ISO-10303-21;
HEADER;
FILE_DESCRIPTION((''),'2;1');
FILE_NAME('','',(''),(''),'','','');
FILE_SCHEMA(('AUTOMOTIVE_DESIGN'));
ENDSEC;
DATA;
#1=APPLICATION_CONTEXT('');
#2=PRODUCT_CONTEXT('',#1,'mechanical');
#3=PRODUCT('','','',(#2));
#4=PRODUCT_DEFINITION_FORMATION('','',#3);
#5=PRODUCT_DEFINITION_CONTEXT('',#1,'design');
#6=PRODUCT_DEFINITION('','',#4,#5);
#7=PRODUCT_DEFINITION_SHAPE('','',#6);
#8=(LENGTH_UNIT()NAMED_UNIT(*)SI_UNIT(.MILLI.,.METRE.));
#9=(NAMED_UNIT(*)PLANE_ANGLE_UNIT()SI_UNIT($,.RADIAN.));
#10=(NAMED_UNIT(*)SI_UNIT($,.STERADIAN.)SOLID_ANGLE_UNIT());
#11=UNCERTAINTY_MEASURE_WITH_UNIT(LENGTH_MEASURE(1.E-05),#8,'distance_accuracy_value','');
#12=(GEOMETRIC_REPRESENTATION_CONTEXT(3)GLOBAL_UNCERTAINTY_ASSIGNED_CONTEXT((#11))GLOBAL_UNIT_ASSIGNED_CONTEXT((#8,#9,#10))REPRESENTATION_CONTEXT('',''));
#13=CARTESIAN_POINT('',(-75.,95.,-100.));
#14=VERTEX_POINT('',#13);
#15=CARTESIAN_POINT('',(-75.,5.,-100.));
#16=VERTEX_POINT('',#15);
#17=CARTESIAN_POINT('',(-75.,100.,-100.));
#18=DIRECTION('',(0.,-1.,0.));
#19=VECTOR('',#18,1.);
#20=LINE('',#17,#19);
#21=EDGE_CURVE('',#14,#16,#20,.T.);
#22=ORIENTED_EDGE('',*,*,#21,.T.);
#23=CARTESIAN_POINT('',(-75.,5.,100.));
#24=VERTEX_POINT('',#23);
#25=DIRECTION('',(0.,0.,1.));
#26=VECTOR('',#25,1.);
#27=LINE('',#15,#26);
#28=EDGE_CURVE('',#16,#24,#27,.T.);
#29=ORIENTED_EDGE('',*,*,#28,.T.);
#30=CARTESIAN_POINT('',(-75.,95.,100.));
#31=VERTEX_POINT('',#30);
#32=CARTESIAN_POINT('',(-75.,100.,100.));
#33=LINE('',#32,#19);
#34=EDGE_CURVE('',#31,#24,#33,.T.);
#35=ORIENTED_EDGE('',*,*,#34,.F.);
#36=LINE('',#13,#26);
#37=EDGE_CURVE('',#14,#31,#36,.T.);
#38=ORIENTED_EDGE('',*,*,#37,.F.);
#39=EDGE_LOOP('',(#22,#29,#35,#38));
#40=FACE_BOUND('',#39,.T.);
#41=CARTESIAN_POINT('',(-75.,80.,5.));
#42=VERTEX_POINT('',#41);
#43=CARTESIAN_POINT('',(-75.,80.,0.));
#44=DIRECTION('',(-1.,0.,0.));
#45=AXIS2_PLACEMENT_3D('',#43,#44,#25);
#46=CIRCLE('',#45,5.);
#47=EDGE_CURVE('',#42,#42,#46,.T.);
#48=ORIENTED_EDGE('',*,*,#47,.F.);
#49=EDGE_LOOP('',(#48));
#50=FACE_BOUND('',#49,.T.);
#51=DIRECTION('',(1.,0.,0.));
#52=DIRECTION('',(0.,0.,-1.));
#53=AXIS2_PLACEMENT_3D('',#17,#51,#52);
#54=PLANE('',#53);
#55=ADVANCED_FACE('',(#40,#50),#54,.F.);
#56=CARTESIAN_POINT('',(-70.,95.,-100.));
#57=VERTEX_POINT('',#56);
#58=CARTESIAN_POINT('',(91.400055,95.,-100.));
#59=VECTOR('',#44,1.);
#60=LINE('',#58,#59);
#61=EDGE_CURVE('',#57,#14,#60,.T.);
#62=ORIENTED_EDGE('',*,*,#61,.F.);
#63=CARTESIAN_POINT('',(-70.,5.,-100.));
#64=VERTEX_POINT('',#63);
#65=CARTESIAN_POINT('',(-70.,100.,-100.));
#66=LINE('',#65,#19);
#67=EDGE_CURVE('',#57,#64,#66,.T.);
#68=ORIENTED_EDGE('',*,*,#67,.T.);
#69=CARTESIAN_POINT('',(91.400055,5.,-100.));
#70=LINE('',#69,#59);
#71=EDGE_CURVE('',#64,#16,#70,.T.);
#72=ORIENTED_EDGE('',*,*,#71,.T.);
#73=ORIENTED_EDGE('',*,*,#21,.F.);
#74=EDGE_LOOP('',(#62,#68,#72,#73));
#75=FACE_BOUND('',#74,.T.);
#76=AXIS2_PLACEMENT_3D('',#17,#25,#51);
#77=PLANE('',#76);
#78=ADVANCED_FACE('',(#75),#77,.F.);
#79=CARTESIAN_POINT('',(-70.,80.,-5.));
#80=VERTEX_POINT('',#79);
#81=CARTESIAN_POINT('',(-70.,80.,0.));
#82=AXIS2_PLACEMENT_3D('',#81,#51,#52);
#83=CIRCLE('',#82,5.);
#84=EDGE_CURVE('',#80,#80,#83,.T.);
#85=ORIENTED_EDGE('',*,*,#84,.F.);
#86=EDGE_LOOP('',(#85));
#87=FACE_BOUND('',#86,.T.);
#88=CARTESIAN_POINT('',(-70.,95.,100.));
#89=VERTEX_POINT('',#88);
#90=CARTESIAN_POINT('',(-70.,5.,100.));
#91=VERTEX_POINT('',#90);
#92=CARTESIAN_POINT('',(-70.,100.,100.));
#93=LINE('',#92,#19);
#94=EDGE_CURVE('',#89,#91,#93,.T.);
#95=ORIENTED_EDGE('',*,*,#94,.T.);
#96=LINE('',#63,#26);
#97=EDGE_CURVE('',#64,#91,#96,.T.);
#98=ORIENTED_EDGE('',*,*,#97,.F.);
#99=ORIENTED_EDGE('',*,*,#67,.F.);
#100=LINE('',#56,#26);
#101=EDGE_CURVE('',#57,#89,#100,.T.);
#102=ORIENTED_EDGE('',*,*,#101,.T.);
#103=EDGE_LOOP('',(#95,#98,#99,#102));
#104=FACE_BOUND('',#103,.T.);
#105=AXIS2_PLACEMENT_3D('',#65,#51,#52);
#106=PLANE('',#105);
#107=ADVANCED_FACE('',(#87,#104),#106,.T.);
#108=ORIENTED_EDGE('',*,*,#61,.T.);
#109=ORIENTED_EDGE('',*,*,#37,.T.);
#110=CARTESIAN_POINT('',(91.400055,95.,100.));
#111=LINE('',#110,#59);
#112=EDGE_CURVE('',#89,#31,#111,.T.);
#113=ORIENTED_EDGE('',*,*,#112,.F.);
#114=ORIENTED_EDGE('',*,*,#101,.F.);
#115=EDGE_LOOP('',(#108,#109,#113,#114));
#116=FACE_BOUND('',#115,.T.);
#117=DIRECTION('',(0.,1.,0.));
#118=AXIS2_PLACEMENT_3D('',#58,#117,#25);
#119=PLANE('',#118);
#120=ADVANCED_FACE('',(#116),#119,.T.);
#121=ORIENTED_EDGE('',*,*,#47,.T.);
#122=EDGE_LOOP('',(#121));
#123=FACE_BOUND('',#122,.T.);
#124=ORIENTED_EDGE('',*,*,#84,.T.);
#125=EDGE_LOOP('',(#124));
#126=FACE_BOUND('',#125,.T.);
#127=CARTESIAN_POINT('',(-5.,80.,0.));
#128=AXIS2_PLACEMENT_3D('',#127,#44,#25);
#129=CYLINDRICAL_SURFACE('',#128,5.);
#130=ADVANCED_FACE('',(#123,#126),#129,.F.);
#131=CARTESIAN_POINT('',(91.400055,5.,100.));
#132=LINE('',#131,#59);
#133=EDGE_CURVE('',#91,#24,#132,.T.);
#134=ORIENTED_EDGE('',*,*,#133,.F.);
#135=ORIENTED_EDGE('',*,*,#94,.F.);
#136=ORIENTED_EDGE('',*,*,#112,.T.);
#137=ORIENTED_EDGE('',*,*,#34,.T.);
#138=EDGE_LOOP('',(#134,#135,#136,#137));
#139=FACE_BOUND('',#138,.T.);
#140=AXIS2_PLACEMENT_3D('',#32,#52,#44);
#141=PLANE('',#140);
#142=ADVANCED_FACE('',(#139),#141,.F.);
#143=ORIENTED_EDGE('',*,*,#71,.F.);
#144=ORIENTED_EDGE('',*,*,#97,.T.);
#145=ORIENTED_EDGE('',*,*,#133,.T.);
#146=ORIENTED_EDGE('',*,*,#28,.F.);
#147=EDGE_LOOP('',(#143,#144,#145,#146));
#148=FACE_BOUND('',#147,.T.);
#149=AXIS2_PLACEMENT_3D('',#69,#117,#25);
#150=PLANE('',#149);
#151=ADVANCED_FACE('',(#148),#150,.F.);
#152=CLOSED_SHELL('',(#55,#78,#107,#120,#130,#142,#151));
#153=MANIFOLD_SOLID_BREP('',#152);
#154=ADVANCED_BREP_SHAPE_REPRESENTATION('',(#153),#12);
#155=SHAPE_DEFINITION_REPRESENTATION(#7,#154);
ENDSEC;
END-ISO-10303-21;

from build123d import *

# Parameters (mm, degrees)
SKETCH1_W           = 150
SKETCH1_H           = 200
BOSS_EXTRUDE1_DEPTH = 100
SHELL2_T            = -5
SKETCH5_R           = 1.9
CUT_EXTRUDE2_DEPTH  = 10
BOSS_EXTRUDE4_DEPTH = 200
SKETCH9_W           = 101.133931545
SKETCH9_H           = 31.996148617
CUT_EXTRUDE4_DEPTH  = 236.849528301
SKETCH10_R          = 4
CUT_EXTRUDE5_DEPTH  = 10
CUT_EXTRUDE7_REACH  = 162.078
SKETCH11_W          = 140
SKETCH11_H          = 5
SKETCH15_R          = 1.2
CUT_EXTRUDE11_DEPTH = 10
SKETCH36_W          = 60
SKETCH36_H          = 5
BOSS_EXTRUDE7_DEPTH = 10
SKETCH37_R          = 3.5
CUT_EXTRUDE15_DEPTH = 60
SKETCH38_R          = 5
CUT_EXTRUDE16_DEPTH = 70
SKETCH41_W          = 161.400055229
SKETCH41_H          = 90
CUT_EXTRUDE19_DEPTH = 236.849528301


with BuildPart() as part:
    # Sketch1 → Boss-Extrude1 (new body)
    with BuildSketch(Plane(origin=(0, 0, 0), x_dir=(1, 0, 0), z_dir=(0, 1, 0))):
        Rectangle(SKETCH1_W, SKETCH1_H)
    extrude(amount=BOSS_EXTRUDE1_DEPTH)

    # Shell2
    shell2_openings = [part.faces().sort_by_distance(p)[0] for p in [
        (0, 50, -100),
        (0, 50, 100),
    ]]
    offset(amount=SHELL2_T, openings=shell2_openings, kind=Kind.INTERSECTION)

    # Sketch5 → Cut-Extrude2 (cut)
    with BuildSketch(Plane.XZ):
        with Locations(Location((-65, 91, 0), (0, 0, 270))):
            Circle(SKETCH5_R)
        with Locations(Location((-35, 91, 0), (0, 0, 270))):
            Circle(SKETCH5_R)
        with Locations(Location((-65, 67, 0), (0, 0, 270))):
            Circle(SKETCH5_R)
        with Locations(Location((-35, 67, 0), (0, 0, 270))):
            Circle(SKETCH5_R)
    cut_extrude2 = extrude(amount=-CUT_EXTRUDE2_DEPTH, mode=Mode.SUBTRACT)

    # Mirror2: Cut-Extrude2 across plane
    add(cut_extrude2.mirror(Plane.XY), mode=Mode.SUBTRACT)

    # Sketch8 → Boss-Extrude4 (add, through all)
    with BuildSketch(Plane.XY.offset(100)):
        Polygon((-15, 17), (75, 17), (75, 22), (-20, 22), (-20, 0), (-15, 0), align=None)
    extrude(amount=-BOSS_EXTRUDE4_DEPTH)

    # Sketch9 → Cut-Extrude4 (cut, through all)
    with BuildSketch(Plane.XY.offset(100)):
        with Locations((35.566965773, 1.001925691)):
            Rectangle(SKETCH9_W, SKETCH9_H)
    extrude(amount=-CUT_EXTRUDE4_DEPTH, mode=Mode.SUBTRACT)

    # Sketch10 → Cut-Extrude5 (cut)
    with BuildSketch(Plane.XZ.offset(-17)):
        with Locations((60, 0)):
            Circle(SKETCH10_R)
    extrude(amount=-CUT_EXTRUDE5_DEPTH, mode=Mode.SUBTRACT)

    # Cut-Extrude7: up to this face of the body (flat: up to its plane)
    cut_extrude7_end = Plane(part.part.faces().sort_by_distance((-44.954220044, 5, 0))[0])
    # Sketch11 → Cut-Extrude7 (cut, up to the picked face)
    with BuildSketch(Plane(origin=(0, 100, 0), x_dir=(1, 0, 0), z_dir=(0, 1, 0)), mode=Mode.PRIVATE) as cut_extrude7_sk1:
        with Locations((0, -92.5)):
            Rectangle(SKETCH11_W, SKETCH11_H)
    cut_extrude7_tool1 = split(extrude(cut_extrude7_sk1.sketch, amount=-CUT_EXTRUDE7_REACH, mode=Mode.PRIVATE), bisect_by=cut_extrude7_end, keep=Keep.BOTH, mode=Mode.PRIVATE)
    cut_extrude7 = cut_extrude7_tool1.solids().sort_by(Axis((0, 100, 92.5), (0, -1, 0)))[0]
    add(cut_extrude7, mode=Mode.SUBTRACT)

    # Mirror3: Cut-Extrude7 across plane
    add(cut_extrude7.mirror(Plane.XY), mode=Mode.SUBTRACT)

    # Sketch15 → Cut-Extrude11 (cut)
    with BuildSketch(Plane(origin=(0, 100, 0), x_dir=(1, 0, 0), z_dir=(0, 1, 0))):
        with Locations(Location((50, 28, 0), (0, 0, 270))):
            Circle(SKETCH15_R)
        with Locations(Location((50, -28, 0), (0, 0, 270))):
            Circle(SKETCH15_R)
        with Locations(Location((-20, 20, 0), (0, 0, 270))):
            Circle(SKETCH15_R)
        with Locations(Location((-20, -20, 0), (0, 0, 270))):
            Circle(SKETCH15_R)
    extrude(amount=-CUT_EXTRUDE11_DEPTH, mode=Mode.SUBTRACT)

    # Sketch36 → Boss-Extrude7 (add)
    with BuildSketch(Plane.ZY.offset(-70)):
        with Locations((-13.202053215, 62.5)):
            Rectangle(SKETCH36_W, SKETCH36_H)
    boss_extrude7 = extrude(amount=BOSS_EXTRUDE7_DEPTH)

    # Mirror5: Boss-Extrude7 across plane
    add(boss_extrude7.mirror(Plane(origin=(0, 0, 0), x_dir=(0, 0, 1), z_dir=(1, 0, 0))))

    # Sketch37 → Cut-Extrude15 (cut)
    with BuildSketch(Plane(origin=(75, 0, 0), x_dir=(0, 0, -1), z_dir=(1, 0, 0))):
        with Locations((0, 75)):
            Circle(SKETCH37_R)
    extrude(amount=-CUT_EXTRUDE15_DEPTH, mode=Mode.SUBTRACT)

    # Sketch38 → Cut-Extrude16 (cut)
    with BuildSketch(Plane.ZY.offset(75)):
        with Locations((0, 80)):
            Circle(SKETCH38_R)
    extrude(amount=-CUT_EXTRUDE16_DEPTH, mode=Mode.SUBTRACT)

    # Sketch41 → Cut-Extrude19 (cut, through all)
    with BuildSketch(Plane.XY.offset(100)):
        Polygon((-133.177931689, 95), (-70, 95), (91.400055229, 95), (91.400055229, 145.714177441), (-133.177931689, 145.714177441), align=None)
        with Locations((10.700027615, 50)):
            Rectangle(SKETCH41_W, SKETCH41_H)
        Polygon((91.400055229, 5), (-70, 5), (-160.904455041, 5), (-160.904455041, -24.977011319), (91.400055229, -24.977011319), align=None)
    extrude(amount=-CUT_EXTRUDE19_DEPTH, mode=Mode.SUBTRACT)


solid = part.part
